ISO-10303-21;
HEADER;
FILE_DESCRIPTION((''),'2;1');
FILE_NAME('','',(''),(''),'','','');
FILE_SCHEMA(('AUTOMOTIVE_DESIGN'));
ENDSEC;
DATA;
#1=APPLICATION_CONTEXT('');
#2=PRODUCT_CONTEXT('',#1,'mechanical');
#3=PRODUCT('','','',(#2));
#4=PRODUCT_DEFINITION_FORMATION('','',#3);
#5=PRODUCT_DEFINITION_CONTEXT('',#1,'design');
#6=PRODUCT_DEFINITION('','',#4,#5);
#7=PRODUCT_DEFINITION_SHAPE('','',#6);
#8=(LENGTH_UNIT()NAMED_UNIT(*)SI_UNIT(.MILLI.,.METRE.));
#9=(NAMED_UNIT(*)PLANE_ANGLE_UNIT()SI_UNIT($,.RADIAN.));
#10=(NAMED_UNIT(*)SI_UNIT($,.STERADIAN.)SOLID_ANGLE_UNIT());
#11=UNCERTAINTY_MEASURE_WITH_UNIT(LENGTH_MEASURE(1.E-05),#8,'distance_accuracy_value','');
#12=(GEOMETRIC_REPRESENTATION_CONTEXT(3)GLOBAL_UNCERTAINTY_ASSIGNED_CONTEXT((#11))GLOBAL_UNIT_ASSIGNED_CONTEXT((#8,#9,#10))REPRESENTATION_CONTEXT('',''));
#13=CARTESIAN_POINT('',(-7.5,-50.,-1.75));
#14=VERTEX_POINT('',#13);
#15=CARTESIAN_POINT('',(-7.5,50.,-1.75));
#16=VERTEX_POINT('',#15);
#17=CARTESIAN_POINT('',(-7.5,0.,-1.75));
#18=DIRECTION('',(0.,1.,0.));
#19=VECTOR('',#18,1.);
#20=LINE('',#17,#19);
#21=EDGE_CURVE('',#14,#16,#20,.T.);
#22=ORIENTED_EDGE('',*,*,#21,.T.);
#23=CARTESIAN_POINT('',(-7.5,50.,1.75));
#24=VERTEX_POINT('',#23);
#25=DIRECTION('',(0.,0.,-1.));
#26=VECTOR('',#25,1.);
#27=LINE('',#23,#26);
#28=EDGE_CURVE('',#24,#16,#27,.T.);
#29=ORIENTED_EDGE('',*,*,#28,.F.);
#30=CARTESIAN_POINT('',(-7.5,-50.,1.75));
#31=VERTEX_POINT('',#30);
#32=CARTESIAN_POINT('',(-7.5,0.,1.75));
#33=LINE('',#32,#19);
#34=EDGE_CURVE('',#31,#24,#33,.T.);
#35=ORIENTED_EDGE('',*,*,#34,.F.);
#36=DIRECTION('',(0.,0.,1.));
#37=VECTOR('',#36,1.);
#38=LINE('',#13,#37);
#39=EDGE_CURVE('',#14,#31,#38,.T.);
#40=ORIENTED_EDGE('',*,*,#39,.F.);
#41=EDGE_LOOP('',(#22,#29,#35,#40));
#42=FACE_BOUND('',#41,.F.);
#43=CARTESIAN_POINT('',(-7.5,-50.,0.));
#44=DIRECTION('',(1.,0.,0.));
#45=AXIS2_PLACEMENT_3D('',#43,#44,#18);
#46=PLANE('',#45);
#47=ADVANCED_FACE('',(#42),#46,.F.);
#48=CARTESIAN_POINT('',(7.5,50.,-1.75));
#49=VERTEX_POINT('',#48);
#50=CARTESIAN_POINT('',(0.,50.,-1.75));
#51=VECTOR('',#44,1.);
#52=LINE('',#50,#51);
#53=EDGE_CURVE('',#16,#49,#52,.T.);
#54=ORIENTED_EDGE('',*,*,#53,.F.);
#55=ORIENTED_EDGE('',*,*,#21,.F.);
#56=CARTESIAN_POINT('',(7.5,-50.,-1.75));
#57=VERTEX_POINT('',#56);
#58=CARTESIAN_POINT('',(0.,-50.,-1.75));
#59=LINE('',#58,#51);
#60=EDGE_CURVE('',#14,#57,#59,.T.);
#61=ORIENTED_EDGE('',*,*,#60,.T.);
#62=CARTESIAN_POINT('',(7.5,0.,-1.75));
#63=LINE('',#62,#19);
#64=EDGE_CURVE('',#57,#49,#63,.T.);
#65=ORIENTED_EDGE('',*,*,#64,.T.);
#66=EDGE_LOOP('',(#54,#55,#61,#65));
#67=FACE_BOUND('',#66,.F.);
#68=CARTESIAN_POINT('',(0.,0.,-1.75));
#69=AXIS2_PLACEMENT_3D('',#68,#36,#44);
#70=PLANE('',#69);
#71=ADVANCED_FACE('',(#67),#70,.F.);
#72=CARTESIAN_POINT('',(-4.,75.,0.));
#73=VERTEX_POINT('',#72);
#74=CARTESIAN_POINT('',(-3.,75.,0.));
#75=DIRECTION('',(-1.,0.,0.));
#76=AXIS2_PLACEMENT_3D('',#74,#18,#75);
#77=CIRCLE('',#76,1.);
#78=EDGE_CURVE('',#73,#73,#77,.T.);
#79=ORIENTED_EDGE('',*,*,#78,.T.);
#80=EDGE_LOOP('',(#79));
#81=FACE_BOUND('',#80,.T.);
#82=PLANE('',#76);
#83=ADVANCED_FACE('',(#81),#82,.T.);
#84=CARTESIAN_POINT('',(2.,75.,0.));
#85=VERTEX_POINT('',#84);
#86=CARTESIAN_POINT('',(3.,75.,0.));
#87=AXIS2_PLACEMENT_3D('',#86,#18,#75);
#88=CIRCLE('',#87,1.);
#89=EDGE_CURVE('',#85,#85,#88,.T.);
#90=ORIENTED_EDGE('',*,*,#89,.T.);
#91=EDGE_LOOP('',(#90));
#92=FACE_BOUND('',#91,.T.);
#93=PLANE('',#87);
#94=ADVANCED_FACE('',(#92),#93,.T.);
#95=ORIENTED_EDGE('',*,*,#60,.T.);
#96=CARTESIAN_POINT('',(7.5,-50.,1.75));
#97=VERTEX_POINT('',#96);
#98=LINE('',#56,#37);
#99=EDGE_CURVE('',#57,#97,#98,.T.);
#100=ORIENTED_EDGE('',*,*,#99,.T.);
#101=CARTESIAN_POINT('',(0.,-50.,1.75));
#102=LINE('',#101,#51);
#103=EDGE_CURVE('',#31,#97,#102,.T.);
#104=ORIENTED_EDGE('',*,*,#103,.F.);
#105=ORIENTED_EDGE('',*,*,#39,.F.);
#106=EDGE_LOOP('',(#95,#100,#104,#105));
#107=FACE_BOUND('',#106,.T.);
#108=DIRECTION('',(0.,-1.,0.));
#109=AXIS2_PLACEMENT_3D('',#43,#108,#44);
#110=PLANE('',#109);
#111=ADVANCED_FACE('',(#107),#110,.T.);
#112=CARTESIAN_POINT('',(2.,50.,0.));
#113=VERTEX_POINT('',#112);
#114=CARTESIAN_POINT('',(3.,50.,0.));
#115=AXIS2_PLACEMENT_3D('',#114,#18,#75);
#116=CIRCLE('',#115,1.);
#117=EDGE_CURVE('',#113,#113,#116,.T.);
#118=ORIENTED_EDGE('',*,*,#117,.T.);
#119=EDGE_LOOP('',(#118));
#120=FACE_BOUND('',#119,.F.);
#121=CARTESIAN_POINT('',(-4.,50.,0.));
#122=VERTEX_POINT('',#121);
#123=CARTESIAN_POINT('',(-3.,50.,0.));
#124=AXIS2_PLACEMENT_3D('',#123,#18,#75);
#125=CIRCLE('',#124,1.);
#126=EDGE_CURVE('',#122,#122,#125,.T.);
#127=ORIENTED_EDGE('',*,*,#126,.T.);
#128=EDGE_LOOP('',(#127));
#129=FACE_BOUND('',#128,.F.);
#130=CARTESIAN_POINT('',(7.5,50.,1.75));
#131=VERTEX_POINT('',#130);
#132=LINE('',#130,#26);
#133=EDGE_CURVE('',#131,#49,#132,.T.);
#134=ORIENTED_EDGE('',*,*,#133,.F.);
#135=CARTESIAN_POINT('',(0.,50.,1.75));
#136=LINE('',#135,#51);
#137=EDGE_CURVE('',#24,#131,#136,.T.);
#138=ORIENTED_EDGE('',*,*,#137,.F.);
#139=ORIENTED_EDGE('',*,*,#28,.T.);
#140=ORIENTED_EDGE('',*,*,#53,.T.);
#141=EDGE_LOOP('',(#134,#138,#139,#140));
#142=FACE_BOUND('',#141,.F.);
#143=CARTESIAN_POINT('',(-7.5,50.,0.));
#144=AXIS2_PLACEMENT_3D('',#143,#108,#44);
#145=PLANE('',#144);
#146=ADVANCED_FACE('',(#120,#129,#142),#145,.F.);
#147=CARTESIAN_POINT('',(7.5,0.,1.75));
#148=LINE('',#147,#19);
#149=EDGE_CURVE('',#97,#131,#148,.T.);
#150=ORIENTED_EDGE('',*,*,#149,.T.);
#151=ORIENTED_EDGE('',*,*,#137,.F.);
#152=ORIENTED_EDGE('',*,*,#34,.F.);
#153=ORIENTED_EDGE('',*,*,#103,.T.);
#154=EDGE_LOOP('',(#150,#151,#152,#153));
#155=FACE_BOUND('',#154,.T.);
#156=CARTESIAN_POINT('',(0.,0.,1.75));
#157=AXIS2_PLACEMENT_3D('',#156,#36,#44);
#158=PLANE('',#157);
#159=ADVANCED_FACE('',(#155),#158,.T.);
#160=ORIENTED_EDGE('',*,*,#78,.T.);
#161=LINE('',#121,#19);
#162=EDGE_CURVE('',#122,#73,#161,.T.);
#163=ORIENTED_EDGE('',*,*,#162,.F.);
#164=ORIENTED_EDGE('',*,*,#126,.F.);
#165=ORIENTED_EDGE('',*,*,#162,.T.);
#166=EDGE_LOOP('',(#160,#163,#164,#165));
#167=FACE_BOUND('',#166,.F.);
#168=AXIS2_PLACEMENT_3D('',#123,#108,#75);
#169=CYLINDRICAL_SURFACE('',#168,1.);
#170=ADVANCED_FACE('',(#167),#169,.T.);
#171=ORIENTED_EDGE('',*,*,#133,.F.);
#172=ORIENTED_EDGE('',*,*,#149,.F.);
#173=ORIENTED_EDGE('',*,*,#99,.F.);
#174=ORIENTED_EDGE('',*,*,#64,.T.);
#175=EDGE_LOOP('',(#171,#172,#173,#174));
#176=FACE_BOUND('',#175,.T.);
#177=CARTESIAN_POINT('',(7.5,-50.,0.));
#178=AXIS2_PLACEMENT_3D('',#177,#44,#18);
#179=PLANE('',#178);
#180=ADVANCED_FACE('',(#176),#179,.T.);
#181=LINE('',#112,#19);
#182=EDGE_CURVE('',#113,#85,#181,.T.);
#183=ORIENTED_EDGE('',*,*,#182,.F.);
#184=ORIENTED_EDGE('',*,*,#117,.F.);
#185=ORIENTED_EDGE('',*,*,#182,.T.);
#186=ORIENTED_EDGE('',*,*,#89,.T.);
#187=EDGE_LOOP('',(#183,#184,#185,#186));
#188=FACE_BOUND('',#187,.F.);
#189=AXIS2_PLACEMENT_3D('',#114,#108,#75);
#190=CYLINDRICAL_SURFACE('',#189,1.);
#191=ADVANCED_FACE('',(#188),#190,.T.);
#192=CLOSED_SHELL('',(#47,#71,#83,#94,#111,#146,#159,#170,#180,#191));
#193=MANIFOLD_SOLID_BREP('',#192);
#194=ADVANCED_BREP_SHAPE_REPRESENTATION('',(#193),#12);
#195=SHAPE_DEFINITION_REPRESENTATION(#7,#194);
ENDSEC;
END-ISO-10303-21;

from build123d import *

# Parameters (mm, degrees)
F0_W     = 15
F0_H     = 100
F1_DEPTH = 1.75
F2_R     = 1
F3_DEPTH = 25


with BuildPart() as f1:
    # F0 (on Top) → F1 (new body, symmetric)
    with BuildSketch(Plane.XY):
        Rectangle(F0_W, F0_H)
    extrude(amount=F1_DEPTH, both=True)

    # F2 (on face) → F3 (join)
    with BuildSketch(Plane(origin=(0, 50, 0), x_dir=(-1, 0, 0), z_dir=(0, 1, 0))):
        with Locations((3, 0)):
            Circle(F2_R)
        with Locations((-3, 0)):
            Circle(F2_R)
    extrude(amount=F3_DEPTH)


solid = f1.part
